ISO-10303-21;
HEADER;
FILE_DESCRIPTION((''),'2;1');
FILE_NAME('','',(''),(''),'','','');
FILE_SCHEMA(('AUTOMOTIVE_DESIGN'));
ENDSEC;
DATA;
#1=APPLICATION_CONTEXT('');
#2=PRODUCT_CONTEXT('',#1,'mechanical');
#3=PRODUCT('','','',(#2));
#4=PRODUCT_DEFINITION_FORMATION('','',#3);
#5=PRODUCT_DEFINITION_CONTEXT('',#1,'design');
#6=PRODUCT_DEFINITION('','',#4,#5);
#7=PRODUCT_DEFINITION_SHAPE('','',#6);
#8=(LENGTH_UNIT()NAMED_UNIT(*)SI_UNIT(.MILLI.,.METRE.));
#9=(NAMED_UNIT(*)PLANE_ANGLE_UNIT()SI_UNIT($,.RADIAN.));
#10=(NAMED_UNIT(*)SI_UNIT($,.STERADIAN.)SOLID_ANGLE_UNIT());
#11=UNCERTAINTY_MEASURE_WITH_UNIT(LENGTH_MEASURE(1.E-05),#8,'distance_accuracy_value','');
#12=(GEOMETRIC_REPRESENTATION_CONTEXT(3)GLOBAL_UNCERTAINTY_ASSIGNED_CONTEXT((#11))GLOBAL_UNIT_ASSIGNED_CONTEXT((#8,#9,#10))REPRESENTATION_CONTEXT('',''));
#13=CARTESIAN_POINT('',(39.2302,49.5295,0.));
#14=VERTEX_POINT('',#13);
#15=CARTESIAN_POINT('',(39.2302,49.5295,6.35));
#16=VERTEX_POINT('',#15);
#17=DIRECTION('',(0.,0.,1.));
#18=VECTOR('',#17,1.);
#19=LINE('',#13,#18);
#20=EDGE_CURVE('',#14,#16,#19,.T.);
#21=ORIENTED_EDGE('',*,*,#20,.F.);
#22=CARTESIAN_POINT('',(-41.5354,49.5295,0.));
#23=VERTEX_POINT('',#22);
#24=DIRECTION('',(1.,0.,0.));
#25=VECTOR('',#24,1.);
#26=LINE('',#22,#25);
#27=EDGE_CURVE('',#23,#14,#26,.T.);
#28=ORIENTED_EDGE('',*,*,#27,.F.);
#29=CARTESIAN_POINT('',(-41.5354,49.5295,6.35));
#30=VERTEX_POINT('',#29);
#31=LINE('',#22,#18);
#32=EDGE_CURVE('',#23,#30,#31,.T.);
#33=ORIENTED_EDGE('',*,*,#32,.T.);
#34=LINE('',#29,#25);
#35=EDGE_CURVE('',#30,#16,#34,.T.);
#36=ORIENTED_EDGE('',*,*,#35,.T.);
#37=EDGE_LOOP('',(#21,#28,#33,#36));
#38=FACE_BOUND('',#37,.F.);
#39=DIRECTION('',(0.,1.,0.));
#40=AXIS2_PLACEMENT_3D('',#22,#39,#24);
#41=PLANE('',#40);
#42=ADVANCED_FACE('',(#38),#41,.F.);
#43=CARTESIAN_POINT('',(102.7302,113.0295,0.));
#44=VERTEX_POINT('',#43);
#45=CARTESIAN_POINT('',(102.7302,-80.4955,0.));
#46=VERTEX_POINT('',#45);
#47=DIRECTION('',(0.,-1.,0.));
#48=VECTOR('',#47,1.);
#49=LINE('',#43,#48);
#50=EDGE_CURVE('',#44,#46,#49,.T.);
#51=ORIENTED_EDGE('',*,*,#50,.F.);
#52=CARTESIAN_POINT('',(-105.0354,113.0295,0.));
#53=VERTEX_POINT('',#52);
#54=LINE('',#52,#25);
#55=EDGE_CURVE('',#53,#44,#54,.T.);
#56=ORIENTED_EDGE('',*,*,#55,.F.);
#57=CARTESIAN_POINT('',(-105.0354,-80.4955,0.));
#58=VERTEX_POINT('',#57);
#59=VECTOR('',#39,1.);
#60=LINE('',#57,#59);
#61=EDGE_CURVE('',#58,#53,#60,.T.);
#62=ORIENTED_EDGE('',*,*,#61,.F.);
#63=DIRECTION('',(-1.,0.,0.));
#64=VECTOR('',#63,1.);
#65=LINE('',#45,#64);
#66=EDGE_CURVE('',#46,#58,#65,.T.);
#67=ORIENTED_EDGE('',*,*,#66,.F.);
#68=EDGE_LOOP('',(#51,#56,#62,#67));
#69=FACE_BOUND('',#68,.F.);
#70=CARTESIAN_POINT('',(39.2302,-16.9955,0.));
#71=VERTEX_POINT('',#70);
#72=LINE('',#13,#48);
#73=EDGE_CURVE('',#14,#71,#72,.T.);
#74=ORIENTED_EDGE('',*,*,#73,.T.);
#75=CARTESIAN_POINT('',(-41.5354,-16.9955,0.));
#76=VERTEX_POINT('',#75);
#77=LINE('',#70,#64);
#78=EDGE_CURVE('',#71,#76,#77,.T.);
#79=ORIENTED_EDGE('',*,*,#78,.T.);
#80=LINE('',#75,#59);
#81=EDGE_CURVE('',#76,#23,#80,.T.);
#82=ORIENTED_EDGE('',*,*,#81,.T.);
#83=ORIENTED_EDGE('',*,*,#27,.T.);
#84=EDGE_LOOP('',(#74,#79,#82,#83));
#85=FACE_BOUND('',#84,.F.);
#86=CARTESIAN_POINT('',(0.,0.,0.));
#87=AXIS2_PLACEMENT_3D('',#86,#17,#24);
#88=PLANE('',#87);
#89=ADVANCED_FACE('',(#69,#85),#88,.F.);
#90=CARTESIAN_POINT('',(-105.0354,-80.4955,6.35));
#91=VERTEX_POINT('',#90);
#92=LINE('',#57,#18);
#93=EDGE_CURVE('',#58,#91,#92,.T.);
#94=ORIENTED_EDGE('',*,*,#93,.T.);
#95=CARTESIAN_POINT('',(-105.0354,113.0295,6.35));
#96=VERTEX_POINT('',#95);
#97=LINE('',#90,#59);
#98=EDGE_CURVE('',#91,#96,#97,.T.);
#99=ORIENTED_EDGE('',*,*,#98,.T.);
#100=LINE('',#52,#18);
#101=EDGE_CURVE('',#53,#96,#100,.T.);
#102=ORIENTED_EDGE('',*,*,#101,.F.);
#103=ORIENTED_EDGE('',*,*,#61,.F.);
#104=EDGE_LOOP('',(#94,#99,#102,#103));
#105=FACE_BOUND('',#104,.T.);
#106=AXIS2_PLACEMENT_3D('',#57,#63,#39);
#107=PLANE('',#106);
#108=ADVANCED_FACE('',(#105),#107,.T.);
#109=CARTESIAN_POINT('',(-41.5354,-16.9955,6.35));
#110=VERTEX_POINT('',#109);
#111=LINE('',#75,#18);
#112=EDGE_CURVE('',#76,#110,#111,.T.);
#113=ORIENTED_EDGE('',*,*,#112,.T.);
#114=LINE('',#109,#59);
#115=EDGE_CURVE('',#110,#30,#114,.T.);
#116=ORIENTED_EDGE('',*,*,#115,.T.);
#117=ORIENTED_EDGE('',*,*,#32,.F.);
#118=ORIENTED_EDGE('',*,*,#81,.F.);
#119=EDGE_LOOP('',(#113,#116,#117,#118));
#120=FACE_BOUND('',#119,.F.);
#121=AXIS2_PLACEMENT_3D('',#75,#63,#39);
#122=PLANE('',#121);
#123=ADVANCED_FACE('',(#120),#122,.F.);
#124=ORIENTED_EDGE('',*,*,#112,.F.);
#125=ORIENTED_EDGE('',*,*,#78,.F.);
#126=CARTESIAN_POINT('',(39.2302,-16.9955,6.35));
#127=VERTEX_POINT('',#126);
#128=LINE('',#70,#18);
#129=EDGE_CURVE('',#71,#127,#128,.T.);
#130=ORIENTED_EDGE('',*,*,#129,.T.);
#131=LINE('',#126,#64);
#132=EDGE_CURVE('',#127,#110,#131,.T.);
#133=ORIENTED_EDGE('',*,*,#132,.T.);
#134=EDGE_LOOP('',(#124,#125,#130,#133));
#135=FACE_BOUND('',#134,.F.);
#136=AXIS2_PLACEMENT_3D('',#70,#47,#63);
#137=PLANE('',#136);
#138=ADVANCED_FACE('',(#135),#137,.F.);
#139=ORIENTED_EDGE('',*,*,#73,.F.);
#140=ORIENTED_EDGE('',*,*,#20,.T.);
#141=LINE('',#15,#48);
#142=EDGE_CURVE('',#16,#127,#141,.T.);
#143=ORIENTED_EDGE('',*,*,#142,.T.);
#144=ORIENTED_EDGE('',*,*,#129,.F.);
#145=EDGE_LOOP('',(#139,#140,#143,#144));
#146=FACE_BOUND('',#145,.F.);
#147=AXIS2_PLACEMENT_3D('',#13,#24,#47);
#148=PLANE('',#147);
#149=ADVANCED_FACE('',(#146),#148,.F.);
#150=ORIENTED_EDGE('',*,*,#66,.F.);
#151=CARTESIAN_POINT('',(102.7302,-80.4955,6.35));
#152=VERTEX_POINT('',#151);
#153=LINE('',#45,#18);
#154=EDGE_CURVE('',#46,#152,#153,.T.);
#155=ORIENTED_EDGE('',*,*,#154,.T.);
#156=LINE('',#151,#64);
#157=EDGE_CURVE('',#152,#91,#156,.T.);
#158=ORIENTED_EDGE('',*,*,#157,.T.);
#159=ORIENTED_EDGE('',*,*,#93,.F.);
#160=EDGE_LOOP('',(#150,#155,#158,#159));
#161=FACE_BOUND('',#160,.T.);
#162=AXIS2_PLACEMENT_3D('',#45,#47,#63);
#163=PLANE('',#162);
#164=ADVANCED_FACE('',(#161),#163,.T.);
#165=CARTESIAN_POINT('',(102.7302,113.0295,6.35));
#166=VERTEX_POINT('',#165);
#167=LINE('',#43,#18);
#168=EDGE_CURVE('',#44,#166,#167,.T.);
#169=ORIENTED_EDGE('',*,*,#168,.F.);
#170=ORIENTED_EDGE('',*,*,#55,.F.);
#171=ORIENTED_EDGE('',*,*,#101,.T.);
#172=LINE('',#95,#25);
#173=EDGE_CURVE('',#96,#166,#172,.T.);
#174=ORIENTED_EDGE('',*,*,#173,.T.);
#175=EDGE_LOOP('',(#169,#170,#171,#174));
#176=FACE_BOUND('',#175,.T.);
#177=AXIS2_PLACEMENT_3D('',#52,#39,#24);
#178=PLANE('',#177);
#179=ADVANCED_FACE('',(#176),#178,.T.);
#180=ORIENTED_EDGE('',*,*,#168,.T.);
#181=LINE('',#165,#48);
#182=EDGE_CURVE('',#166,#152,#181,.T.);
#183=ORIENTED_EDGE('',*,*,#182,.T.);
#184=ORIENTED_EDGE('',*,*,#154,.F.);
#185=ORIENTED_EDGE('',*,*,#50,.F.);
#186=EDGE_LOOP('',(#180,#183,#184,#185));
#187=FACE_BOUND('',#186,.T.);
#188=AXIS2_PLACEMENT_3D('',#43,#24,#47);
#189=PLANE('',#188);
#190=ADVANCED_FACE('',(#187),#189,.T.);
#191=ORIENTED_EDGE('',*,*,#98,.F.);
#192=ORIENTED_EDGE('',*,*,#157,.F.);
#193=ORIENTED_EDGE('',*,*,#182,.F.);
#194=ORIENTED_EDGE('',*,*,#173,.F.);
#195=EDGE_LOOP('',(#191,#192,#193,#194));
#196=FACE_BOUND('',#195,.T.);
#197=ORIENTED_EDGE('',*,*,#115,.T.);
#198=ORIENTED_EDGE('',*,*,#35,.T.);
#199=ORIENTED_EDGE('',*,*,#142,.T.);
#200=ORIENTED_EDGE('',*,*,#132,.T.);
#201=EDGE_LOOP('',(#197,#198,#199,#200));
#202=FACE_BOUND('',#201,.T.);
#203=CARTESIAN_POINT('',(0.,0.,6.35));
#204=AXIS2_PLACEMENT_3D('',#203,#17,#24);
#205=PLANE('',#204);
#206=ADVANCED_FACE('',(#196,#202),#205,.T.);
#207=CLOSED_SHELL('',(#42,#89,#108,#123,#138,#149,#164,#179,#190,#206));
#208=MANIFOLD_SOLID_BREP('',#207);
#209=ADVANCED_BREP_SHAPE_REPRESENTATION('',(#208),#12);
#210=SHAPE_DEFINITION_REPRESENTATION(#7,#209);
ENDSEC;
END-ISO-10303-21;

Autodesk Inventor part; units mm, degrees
ref_plane "YZ Plane" through (0, 0, 0) normal (1, 0, 0) x (0, 1, 0)
ref_plane "XZ Plane" through (0, 0, 0) normal (0, 1, 0) x (-1, 0, 0)
ref_plane "XY Plane" through (0, 0, 0) normal (0, 0, 1) x (1, 0, 0)
sketch "Sketch1" plane through (0, 0, 0) normal (0, 0, 1) x (1, 0, 0)
  line L0 (-14.8528, 1.9795) -> (12.8586, 1.9795) construction
  line L1 (12.8586, 1.9795) -> (12.8586, -13.7685) construction
  line L2 (12.8586, -13.7685) -> (-14.8528, -13.7685) construction
  line L3 (-14.8528, -13.7685) -> (-14.8528, 1.9795) construction
  line L4 (5.9975, 1.9795) -> (8.6518, 1.9795) construction
  line L5 (8.6518, 1.9795) -> (8.6518, 4.3671) construction
  line L6 (8.6518, 4.3671) -> (5.9975, 4.3671) construction
  line L7 (5.9975, 4.3671) -> (5.9975, 1.9795) construction
  line L8 (-32.4421, 11.5045) -> (30.2817, 11.5045) construction
  line L9 (-32.4421, 8.3295) -> (29.9988, 8.3295) construction
  line L10 (-13.9321, 13.8921) -> (17.834, 13.8921) construction
  line L11 (-1.8734, -10.8674) -> (-1.8734, -21.0274) construction
  line L12 (-2.2544, -23.9285) -> (-2.2544, -13.7685) construction
  line L13 (-14.8528, -9.4505) -> (-21.958, -9.4505) construction
  line L14 (-21.958, -9.8315) -> (-14.0038, -9.8315) construction
  line L15 (-14.8528, 1.9795) -> (12.6787, 5.1322) construction
  arc A0 (9.1943, 9.241) -> (-14.8528, 1.9795) centre (-1.1526, 0.0577) ccw construction
  circle A1 centre (-10.8004, 5.3198) radius 0.889 construction
  line L16 (-13.0354, 11.5045) -> (-13.0354, 8.3295) construction
  line L17 (10.7302, 11.5045) -> (10.7302, 8.3295) construction
  line L18 (-12.2416, 8.3295) -> (-12.2416, 11.5045) construction
  line L19 (9.9365, 8.3295) -> (9.9365, 11.5045) construction
  line L20 (13.1115, 8.3295) -> (11.9301, 8.1942) construction
  line L21 (11.9301, 8.1942) -> (12.3229, 8.2392) construction
  line L22 (13.377, 6.0111) -> (13.2018, 7.5409) construction
  line L23 (-13.2979, 6.6819) -> (-11.5809, 5.7454) construction
  line L24 (-10.4753, 2.4807) -> (-10.6993, 4.4365) construction
  arc A2 (9.1943, 9.241) -> (11.9301, 8.1942) centre (11.5689, 11.3486) ccw construction
  arc A3 (13.2018, 7.5409) -> (12.3229, 8.2392) centre (12.4132, 7.4506) ccw construction
  arc A4 (12.6787, 5.1322) -> (13.377, 6.0111) centre (12.5884, 5.9208) ccw construction
  circle A5 centre (-11.9953, -0.878) radius 1.5875 construction
  line L25 (-13.5828, 0.7095) -> (-5.6621, 0.7095) construction
  line L26 (-13.5828, -2.3385) -> (-13.5828, 0.7095) construction
  circle A6 centre (10.0011, -10.911) radius 1.5875 construction
  line L27 (11.5886, -9.3235) -> (11.5886, -12.4985) construction
  line L28 (11.5886, -12.4985) -> (4.7585, -12.4985) construction
  line L29 (-13.0354, 11.5045) -> (10.7302, 11.5045) construction
  line L30 (10.7302, 11.5045) -> (10.7302, 21.0295) construction
  line L31 (10.7302, 21.0295) -> (-13.0354, 21.0295) construction
  line L32 (-13.0354, 21.0295) -> (-13.0354, 11.5045) construction
  circle A7 centre (9.2302, 19.5295) radius 1.5 construction
  circle A8 centre (9.2302, 19.5295) radius 30 construction
  circle A9 centre (-11.5354, 13.0045) radius 1.5 construction
  circle A10 centre (-11.5354, 13.0045) radius 30 construction
  line L33 (-41.5354, 49.5295) -> (39.2302, 49.5295)
  line L34 (39.2302, 49.5295) -> (39.2302, -16.9955)
  line L35 (39.2302, -16.9955) -> (-41.5354, -16.9955)
  line L36 (-41.5354, -16.9955) -> (-41.5354, 49.5295)
  line L37 (-105.0354, 113.0295) -> (102.7302, 113.0295)
  line L38 (102.7302, 113.0295) -> (102.7302, -80.4955)
  line L39 (102.7302, -80.4955) -> (-105.0354, -80.4955)
  line L40 (-105.0354, -80.4955) -> (-105.0354, 113.0295)
  point P0 (0, 0)
  dimension "d0" = 27.7114
  dimension "d1" = 15.748
  dimension "d2" = 2.6543
  dimension "buttonHeight" = 2.3876
  dimension "d4" = 3.175
  dimension "d5" = 2.3876
  dimension "buttonInset" = 4.2068
  dimension "d10" = 14.732
  dimension "d11" = 0.381
  dimension "d12" = 10.16
  dimension "d14" = 11.43
  dimension "d15" = 0.381
  dimension "d16" = 6.35
  dimension "nail" = 1.778
  dimension "clearance" = 0.7937
  dimension "d32" = 0.7937
  dimension "cutOutLength" = 23.7656
  dimension "d34" = 2.3813
  dimension "d35" = 1.9558
  dimension "d36" = 1.9558
  dimension "d37" = 3.175
  dimension "d38" = 0.7937
  dimension "holeDistanceFromSurface" = 3.0097
  dimension "holeDistanceFromEnd" = 4.0524
  dimension "d52" = 3.175
  dimension "d53" = 1.27
  dimension "d54" = 1.27
  dimension "d55" = 3.175
  dimension "d56" = 1.27
  dimension "d57" = 1.27
  dimension "d60" = 9.525
  dimension "d69" = 3
  dimension "d70" = 60
  dimension "d71" = 3
  dimension "d72" = 60
  dimension "d75" = 63.5
  dimension "margin" = 63.5
  dimension "d77" = 63.5
  dimension "d78" = 63.5
extrude "Extrusion9" add sketch "Sketch1" along normal blind 6.35
equation "\"d5\" = buttonHeight"
equation "\"d32\" = clearance"
properties part number "Surface Switch Cutout Jig"
